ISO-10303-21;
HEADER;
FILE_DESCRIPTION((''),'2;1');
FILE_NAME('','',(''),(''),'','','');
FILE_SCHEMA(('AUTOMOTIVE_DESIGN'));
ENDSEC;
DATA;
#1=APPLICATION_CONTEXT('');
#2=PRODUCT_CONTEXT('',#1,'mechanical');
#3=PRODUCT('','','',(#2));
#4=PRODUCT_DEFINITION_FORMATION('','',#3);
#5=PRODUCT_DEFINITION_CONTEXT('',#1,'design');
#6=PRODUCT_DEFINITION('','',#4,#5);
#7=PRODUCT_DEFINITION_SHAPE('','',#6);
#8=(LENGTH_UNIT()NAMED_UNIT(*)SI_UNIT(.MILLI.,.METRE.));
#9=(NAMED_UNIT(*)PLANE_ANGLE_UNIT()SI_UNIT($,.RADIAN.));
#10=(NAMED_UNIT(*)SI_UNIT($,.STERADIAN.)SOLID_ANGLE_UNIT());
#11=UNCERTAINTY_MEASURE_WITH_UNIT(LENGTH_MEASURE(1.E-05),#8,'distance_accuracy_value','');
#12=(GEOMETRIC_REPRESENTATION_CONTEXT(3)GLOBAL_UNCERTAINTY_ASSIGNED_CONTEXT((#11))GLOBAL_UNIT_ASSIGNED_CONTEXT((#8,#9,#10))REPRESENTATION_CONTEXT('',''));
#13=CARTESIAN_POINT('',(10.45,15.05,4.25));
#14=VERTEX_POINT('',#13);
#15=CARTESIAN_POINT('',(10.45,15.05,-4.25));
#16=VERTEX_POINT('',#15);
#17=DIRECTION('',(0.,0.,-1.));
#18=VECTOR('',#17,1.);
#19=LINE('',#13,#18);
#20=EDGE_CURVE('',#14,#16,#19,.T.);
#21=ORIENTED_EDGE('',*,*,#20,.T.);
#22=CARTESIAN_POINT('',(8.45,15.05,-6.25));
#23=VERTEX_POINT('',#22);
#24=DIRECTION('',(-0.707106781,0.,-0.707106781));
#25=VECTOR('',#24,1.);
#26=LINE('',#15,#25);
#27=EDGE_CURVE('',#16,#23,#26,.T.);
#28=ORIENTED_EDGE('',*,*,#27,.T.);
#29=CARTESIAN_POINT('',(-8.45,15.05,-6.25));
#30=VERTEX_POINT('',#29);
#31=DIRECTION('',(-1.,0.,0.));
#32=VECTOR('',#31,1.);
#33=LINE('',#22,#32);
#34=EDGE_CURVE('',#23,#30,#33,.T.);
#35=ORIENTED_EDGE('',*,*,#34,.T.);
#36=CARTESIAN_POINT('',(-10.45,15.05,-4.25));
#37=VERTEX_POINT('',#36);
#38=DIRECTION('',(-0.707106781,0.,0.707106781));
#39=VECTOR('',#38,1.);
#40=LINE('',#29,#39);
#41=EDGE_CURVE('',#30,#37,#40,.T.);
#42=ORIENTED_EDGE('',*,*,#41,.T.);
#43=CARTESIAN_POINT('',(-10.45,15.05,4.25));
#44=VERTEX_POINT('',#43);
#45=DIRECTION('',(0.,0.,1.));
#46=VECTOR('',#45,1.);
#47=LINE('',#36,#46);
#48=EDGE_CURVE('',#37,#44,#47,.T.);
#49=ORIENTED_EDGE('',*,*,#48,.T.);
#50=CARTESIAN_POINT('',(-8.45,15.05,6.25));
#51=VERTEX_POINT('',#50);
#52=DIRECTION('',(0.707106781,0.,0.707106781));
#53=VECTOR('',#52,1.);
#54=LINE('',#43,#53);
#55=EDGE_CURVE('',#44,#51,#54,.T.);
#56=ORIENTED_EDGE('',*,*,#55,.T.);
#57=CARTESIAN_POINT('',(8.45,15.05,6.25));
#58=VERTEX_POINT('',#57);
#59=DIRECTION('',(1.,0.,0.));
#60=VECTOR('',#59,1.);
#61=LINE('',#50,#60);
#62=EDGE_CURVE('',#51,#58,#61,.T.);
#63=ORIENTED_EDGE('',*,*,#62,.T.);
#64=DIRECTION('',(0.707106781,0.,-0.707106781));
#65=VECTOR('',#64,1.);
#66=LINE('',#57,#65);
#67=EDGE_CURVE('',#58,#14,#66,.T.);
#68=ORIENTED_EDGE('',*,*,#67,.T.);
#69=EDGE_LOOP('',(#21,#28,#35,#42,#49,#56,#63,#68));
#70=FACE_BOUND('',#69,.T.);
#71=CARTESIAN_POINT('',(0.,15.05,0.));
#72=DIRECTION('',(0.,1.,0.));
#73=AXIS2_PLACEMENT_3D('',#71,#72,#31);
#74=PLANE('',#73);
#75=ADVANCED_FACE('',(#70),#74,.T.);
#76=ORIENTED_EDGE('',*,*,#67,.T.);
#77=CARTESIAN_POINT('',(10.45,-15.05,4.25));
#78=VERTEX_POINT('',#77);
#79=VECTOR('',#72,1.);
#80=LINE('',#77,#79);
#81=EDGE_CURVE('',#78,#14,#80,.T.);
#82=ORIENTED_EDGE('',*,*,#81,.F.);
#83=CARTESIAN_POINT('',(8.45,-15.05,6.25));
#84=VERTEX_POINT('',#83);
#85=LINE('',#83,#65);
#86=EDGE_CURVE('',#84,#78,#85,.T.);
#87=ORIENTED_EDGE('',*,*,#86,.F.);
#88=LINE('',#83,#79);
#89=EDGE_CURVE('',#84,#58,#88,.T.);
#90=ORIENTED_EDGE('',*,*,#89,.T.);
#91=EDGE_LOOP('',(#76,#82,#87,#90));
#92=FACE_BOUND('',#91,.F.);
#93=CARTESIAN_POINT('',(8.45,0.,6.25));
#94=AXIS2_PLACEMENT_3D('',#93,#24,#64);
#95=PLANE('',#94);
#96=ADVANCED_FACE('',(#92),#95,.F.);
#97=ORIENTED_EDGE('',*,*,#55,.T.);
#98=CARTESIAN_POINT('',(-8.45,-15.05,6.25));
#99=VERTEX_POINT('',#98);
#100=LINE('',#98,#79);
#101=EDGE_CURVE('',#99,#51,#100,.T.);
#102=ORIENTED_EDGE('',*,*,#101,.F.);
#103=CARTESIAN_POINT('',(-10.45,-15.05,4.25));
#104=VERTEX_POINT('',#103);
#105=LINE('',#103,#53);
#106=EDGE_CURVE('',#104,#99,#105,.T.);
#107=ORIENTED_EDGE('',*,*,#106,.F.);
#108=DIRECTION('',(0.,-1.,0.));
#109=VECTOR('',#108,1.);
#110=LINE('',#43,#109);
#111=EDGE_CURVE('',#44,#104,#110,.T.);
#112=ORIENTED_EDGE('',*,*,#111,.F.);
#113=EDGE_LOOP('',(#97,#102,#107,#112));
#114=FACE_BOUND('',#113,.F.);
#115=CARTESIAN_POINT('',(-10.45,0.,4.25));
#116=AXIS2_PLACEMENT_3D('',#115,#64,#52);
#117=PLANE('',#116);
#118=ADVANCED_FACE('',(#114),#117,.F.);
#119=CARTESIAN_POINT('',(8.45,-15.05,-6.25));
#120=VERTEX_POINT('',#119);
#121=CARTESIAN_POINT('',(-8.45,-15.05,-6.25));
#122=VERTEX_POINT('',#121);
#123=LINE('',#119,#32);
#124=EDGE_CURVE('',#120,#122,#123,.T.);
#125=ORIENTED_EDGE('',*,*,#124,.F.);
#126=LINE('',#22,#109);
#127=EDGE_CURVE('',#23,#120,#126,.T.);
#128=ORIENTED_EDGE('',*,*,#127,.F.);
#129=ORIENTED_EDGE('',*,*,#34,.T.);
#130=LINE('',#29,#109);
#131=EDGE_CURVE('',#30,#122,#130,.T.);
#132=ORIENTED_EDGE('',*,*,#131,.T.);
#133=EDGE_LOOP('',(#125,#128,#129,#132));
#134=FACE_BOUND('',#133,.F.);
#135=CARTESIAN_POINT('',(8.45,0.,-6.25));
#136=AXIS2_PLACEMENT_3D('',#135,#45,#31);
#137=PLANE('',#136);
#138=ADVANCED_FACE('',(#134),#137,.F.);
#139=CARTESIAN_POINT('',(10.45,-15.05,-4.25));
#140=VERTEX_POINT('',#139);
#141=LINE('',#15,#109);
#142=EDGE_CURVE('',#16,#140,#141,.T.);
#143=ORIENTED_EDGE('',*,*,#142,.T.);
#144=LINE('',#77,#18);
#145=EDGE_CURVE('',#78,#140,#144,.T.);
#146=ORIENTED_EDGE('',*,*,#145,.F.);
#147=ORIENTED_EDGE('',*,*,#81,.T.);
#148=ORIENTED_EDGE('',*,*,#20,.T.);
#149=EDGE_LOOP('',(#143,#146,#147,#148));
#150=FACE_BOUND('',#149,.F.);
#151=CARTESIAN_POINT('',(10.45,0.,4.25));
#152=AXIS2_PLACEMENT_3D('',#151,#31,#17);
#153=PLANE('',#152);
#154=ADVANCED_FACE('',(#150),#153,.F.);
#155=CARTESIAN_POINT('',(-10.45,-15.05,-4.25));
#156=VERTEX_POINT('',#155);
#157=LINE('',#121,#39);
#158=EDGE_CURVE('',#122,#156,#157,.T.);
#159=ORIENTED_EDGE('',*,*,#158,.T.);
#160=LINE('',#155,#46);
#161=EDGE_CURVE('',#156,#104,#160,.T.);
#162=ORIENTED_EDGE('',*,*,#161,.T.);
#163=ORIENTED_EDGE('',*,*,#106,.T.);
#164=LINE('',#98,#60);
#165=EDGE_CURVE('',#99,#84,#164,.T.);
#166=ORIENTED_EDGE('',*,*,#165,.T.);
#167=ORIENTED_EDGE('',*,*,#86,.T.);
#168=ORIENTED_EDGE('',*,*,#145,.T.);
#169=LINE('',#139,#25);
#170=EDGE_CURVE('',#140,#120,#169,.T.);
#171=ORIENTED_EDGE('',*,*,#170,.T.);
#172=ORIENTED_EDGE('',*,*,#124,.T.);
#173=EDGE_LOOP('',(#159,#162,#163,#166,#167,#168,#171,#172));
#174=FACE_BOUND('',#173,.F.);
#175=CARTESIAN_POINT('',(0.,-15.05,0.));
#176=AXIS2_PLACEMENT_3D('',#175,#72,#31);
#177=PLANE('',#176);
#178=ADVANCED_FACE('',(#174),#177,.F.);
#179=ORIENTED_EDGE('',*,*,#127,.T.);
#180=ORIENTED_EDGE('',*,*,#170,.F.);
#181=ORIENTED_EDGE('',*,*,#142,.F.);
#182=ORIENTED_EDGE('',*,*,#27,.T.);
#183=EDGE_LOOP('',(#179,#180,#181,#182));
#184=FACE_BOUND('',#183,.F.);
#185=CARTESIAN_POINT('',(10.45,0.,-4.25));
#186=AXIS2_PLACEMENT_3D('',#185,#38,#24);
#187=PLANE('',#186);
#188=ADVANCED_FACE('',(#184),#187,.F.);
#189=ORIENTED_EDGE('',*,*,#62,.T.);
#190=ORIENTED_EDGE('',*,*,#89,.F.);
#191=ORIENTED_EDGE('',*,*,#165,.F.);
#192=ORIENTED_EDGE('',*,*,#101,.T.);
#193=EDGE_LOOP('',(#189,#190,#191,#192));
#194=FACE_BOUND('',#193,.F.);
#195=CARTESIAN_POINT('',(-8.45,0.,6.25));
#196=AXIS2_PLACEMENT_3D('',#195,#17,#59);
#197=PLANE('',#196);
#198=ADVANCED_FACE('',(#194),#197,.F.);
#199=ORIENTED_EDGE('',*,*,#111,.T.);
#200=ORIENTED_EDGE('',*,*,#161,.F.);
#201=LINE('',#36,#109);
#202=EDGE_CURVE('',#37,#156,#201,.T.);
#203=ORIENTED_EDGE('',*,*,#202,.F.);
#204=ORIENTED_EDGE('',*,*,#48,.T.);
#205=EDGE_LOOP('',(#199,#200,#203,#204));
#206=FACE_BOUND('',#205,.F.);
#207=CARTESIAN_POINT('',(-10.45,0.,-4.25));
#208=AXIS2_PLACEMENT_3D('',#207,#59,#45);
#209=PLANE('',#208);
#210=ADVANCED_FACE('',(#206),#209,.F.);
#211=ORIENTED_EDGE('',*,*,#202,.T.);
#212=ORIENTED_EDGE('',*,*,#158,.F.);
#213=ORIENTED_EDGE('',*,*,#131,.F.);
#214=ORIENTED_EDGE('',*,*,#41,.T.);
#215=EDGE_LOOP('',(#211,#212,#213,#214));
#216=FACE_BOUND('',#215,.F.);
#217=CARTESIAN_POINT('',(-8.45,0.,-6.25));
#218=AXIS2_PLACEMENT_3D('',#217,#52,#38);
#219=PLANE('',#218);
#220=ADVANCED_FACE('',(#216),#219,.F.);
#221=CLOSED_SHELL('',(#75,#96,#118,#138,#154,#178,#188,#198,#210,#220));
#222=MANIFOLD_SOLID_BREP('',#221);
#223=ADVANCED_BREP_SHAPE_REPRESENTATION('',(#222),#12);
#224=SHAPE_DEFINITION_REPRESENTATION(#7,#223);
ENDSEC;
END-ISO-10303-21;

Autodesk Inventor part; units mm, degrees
ref_plane "YZ Plane" through (0, 0, 0) normal (1, 0, 0) x (0, 1, 0)
ref_plane "XZ Plane" through (0, 0, 0) normal (0, 1, 0) x (-1, 0, 0)
ref_plane "XY Plane" through (0, 0, 0) normal (0, 0, 1) x (1, 0, 0)
sketch "Sketch1" plane through (0, 0, 0) normal (0, 1, 0) x (-1, 0, 0)
  line L0 (8.45, 6.25) -> (-8.45, 6.25)
  line L1 (-10.45, 4.25) -> (-10.45, -4.25)
  line L2 (-8.45, -6.25) -> (8.45, -6.25)
  line L3 (10.45, -4.25) -> (10.45, 4.25)
  line L4 (10.45, 6.25) -> (-10.45, -6.25) construction
  line L5 (-10.45, 6.25) -> (10.45, -6.25) construction
  line L6 (8.45, -6.25) -> (10.45, -4.25)
  line L7 (10.45, 4.25) -> (8.45, 6.25)
  line L8 (-8.45, 6.25) -> (-10.45, 4.25)
  line L9 (-10.45, -4.25) -> (-8.45, -6.25)
  point P0 (0, 0)
  dimension "d0" = 20.9
  dimension "d1" = 12.5
  dimension "d2" = 2
  dimension "d3" = 2
extrude "Extrusion1" add sketch "Sketch1" along normal mid plane 30.1
equation "\"d0\" = CMWidth"
equation "\"d1\" = CMLength"
equation "\"d2\" = CMChamfer"
equation "\"d3\" = d2"
equation "\"CMWidth\" = 20.9"
equation "\"CMLength\" = 12.5"
equation "\"CMChamfer\" = 2"
properties part number "ControlMarker_All" material "Paper"
